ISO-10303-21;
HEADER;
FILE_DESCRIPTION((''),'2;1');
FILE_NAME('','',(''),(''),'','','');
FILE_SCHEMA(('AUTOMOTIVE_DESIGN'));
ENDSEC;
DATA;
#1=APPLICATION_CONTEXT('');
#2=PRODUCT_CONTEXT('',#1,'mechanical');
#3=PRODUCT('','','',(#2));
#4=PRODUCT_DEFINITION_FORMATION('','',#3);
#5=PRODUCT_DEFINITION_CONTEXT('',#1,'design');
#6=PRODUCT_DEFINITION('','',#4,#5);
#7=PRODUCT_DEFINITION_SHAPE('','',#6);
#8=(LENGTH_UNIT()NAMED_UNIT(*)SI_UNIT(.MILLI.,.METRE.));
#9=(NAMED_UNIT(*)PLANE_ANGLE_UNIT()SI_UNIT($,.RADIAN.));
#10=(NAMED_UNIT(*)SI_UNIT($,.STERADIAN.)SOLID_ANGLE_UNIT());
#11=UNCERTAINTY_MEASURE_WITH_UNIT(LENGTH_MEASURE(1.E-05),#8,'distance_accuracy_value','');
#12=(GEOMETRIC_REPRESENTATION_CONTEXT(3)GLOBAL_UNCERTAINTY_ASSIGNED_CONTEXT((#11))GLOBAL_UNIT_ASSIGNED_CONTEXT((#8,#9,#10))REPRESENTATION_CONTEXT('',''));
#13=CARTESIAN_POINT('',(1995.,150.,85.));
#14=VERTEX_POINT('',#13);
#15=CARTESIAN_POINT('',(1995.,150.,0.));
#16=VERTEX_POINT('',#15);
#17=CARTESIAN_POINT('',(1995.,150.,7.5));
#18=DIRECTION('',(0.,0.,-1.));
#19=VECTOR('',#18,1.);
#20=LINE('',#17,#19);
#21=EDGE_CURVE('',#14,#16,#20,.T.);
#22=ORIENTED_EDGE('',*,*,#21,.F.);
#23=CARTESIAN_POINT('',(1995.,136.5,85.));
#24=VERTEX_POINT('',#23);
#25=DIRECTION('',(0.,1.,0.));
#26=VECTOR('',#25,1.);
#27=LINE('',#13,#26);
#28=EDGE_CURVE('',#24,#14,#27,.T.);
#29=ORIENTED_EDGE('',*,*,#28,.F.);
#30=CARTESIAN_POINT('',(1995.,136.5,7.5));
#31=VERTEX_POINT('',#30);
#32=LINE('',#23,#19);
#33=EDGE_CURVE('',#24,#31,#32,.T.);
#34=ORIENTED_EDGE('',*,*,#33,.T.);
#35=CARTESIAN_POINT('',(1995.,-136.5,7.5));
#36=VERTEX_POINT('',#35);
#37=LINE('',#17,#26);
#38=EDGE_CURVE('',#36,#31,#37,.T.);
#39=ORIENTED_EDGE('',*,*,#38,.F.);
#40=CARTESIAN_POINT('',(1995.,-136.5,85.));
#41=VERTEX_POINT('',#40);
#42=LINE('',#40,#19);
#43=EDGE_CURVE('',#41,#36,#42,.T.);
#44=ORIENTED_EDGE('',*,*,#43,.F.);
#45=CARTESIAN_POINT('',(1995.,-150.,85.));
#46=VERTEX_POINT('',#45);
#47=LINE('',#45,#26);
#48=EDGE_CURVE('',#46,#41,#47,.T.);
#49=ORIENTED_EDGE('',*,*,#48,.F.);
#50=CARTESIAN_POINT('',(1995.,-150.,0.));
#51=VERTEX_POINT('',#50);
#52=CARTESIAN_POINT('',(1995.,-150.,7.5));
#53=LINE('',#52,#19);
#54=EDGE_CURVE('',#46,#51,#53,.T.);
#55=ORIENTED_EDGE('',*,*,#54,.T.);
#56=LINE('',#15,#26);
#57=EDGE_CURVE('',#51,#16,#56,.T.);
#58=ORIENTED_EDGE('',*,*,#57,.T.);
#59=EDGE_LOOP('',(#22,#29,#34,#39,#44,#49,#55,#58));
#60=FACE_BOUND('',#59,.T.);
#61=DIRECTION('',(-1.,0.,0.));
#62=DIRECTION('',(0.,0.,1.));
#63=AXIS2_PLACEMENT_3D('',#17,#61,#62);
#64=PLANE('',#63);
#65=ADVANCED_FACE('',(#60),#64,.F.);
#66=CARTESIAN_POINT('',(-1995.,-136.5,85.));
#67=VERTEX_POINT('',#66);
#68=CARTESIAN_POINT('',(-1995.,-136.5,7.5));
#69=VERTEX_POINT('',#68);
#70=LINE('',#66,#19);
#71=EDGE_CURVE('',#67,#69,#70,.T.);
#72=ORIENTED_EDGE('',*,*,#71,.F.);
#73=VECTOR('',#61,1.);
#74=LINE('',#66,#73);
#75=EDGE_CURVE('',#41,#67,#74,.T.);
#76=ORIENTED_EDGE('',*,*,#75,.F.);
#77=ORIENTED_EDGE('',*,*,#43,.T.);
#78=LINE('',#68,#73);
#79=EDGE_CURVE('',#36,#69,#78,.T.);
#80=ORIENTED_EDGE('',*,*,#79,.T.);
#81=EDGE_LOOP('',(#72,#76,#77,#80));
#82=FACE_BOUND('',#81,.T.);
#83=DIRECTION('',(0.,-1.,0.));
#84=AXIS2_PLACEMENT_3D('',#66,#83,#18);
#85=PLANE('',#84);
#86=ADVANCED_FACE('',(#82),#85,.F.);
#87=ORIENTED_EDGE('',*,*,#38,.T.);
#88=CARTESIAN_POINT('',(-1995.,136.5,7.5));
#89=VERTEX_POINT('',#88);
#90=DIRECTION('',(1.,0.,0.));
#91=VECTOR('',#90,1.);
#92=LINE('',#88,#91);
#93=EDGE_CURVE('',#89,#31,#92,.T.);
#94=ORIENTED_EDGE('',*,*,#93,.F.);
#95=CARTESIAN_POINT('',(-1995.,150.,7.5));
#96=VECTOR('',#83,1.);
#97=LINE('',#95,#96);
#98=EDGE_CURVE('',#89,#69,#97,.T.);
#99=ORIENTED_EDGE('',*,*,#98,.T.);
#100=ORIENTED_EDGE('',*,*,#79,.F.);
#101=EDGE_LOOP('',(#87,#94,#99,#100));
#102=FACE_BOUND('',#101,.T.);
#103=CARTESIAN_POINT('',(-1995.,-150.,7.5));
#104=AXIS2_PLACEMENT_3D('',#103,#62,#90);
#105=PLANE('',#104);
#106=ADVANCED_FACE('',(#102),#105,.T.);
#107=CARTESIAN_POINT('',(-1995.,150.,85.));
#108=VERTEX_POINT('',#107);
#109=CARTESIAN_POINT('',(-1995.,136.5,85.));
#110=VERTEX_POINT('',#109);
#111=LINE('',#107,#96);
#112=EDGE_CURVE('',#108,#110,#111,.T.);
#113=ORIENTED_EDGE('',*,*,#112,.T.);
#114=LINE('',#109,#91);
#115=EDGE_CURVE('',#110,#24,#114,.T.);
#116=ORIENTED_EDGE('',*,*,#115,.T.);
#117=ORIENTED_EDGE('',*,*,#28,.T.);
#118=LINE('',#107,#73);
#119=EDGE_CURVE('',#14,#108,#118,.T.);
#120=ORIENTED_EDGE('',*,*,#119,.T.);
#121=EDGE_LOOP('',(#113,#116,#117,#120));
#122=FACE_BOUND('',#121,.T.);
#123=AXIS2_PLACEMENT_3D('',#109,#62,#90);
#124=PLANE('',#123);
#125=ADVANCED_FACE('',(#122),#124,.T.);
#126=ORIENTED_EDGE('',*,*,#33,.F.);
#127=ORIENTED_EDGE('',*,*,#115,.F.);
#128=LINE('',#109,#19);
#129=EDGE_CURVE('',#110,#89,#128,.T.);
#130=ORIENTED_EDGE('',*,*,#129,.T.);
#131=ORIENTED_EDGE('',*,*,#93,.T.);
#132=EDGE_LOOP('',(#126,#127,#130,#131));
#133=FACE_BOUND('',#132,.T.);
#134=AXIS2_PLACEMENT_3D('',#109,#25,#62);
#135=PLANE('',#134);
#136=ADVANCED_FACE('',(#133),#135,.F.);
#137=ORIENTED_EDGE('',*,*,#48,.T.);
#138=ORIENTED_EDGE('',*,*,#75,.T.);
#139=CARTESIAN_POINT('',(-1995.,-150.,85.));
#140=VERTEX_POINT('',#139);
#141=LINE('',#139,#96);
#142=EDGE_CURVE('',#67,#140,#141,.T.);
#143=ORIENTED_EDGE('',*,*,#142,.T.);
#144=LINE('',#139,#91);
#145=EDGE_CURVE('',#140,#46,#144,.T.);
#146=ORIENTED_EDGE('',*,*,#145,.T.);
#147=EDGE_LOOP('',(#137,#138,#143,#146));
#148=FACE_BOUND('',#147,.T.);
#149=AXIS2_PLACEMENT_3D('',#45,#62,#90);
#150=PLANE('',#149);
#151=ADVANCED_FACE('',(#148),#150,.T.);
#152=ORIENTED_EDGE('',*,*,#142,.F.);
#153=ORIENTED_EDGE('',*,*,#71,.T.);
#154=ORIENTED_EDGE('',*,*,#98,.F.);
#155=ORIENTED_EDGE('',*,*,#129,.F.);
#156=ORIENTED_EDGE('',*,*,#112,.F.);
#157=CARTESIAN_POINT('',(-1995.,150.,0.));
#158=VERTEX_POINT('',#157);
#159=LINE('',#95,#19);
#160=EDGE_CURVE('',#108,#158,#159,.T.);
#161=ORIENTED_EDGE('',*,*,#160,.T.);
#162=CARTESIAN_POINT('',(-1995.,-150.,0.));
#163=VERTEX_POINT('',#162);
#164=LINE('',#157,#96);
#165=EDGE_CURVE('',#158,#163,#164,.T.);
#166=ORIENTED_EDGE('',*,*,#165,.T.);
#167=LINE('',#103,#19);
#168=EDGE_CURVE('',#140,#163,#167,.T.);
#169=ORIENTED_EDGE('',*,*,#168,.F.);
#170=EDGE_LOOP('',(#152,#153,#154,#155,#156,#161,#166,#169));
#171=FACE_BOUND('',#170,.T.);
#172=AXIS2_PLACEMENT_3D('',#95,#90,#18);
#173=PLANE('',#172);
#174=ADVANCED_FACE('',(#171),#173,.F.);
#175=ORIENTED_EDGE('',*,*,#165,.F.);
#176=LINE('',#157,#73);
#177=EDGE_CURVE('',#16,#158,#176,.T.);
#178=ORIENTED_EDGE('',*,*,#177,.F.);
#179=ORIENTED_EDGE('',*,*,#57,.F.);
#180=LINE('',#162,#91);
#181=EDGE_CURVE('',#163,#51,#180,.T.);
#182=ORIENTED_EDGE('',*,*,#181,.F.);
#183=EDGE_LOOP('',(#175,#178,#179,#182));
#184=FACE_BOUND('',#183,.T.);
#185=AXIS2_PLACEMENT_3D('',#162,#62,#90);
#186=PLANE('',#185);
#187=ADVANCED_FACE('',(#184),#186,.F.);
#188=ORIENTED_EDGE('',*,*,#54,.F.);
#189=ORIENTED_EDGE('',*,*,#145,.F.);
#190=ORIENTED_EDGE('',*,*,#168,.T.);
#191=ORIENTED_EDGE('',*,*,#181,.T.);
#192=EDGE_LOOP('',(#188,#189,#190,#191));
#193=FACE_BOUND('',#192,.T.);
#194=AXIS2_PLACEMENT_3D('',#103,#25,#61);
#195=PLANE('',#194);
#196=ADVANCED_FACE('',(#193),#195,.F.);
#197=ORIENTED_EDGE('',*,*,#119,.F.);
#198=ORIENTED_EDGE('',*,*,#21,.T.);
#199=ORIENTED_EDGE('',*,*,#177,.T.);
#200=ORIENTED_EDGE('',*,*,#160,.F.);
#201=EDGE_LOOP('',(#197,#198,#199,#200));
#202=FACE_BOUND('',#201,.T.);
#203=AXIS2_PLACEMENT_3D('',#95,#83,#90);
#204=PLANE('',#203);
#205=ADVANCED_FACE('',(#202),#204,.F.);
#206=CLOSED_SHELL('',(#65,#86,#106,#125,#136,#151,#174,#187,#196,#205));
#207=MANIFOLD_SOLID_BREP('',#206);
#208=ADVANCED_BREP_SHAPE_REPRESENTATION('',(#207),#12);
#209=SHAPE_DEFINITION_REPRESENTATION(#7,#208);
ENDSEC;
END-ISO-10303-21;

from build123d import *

# Parameters (mm, degrees)
SKETCH_1_W        = 3990
SKETCH_1_H        = 300
EXTRUDE_629_DEPTH = 7.5
SKETCH_2_W        = 3990
SKETCH_2_H        = 13.5
EXTRUDE_1_DEPTH   = 77.5


with BuildPart() as part:
    # 草图1 → Extrude 629 (new body)
    with BuildSketch(Plane.XY):
        Rectangle(SKETCH_1_W, SKETCH_1_H)
    extrude(amount=EXTRUDE_629_DEPTH)

    # 草图2 → 凸台-拉伸1 (add)
    with BuildSketch(Plane.XY.offset(7.5)):
        with Locations((0, 143.25)):
            Rectangle(SKETCH_2_W, SKETCH_2_H)
        with Locations((0, -143.25)):
            Rectangle(SKETCH_2_W, SKETCH_2_H)
    extrude(amount=EXTRUDE_1_DEPTH)


solid = part.part
